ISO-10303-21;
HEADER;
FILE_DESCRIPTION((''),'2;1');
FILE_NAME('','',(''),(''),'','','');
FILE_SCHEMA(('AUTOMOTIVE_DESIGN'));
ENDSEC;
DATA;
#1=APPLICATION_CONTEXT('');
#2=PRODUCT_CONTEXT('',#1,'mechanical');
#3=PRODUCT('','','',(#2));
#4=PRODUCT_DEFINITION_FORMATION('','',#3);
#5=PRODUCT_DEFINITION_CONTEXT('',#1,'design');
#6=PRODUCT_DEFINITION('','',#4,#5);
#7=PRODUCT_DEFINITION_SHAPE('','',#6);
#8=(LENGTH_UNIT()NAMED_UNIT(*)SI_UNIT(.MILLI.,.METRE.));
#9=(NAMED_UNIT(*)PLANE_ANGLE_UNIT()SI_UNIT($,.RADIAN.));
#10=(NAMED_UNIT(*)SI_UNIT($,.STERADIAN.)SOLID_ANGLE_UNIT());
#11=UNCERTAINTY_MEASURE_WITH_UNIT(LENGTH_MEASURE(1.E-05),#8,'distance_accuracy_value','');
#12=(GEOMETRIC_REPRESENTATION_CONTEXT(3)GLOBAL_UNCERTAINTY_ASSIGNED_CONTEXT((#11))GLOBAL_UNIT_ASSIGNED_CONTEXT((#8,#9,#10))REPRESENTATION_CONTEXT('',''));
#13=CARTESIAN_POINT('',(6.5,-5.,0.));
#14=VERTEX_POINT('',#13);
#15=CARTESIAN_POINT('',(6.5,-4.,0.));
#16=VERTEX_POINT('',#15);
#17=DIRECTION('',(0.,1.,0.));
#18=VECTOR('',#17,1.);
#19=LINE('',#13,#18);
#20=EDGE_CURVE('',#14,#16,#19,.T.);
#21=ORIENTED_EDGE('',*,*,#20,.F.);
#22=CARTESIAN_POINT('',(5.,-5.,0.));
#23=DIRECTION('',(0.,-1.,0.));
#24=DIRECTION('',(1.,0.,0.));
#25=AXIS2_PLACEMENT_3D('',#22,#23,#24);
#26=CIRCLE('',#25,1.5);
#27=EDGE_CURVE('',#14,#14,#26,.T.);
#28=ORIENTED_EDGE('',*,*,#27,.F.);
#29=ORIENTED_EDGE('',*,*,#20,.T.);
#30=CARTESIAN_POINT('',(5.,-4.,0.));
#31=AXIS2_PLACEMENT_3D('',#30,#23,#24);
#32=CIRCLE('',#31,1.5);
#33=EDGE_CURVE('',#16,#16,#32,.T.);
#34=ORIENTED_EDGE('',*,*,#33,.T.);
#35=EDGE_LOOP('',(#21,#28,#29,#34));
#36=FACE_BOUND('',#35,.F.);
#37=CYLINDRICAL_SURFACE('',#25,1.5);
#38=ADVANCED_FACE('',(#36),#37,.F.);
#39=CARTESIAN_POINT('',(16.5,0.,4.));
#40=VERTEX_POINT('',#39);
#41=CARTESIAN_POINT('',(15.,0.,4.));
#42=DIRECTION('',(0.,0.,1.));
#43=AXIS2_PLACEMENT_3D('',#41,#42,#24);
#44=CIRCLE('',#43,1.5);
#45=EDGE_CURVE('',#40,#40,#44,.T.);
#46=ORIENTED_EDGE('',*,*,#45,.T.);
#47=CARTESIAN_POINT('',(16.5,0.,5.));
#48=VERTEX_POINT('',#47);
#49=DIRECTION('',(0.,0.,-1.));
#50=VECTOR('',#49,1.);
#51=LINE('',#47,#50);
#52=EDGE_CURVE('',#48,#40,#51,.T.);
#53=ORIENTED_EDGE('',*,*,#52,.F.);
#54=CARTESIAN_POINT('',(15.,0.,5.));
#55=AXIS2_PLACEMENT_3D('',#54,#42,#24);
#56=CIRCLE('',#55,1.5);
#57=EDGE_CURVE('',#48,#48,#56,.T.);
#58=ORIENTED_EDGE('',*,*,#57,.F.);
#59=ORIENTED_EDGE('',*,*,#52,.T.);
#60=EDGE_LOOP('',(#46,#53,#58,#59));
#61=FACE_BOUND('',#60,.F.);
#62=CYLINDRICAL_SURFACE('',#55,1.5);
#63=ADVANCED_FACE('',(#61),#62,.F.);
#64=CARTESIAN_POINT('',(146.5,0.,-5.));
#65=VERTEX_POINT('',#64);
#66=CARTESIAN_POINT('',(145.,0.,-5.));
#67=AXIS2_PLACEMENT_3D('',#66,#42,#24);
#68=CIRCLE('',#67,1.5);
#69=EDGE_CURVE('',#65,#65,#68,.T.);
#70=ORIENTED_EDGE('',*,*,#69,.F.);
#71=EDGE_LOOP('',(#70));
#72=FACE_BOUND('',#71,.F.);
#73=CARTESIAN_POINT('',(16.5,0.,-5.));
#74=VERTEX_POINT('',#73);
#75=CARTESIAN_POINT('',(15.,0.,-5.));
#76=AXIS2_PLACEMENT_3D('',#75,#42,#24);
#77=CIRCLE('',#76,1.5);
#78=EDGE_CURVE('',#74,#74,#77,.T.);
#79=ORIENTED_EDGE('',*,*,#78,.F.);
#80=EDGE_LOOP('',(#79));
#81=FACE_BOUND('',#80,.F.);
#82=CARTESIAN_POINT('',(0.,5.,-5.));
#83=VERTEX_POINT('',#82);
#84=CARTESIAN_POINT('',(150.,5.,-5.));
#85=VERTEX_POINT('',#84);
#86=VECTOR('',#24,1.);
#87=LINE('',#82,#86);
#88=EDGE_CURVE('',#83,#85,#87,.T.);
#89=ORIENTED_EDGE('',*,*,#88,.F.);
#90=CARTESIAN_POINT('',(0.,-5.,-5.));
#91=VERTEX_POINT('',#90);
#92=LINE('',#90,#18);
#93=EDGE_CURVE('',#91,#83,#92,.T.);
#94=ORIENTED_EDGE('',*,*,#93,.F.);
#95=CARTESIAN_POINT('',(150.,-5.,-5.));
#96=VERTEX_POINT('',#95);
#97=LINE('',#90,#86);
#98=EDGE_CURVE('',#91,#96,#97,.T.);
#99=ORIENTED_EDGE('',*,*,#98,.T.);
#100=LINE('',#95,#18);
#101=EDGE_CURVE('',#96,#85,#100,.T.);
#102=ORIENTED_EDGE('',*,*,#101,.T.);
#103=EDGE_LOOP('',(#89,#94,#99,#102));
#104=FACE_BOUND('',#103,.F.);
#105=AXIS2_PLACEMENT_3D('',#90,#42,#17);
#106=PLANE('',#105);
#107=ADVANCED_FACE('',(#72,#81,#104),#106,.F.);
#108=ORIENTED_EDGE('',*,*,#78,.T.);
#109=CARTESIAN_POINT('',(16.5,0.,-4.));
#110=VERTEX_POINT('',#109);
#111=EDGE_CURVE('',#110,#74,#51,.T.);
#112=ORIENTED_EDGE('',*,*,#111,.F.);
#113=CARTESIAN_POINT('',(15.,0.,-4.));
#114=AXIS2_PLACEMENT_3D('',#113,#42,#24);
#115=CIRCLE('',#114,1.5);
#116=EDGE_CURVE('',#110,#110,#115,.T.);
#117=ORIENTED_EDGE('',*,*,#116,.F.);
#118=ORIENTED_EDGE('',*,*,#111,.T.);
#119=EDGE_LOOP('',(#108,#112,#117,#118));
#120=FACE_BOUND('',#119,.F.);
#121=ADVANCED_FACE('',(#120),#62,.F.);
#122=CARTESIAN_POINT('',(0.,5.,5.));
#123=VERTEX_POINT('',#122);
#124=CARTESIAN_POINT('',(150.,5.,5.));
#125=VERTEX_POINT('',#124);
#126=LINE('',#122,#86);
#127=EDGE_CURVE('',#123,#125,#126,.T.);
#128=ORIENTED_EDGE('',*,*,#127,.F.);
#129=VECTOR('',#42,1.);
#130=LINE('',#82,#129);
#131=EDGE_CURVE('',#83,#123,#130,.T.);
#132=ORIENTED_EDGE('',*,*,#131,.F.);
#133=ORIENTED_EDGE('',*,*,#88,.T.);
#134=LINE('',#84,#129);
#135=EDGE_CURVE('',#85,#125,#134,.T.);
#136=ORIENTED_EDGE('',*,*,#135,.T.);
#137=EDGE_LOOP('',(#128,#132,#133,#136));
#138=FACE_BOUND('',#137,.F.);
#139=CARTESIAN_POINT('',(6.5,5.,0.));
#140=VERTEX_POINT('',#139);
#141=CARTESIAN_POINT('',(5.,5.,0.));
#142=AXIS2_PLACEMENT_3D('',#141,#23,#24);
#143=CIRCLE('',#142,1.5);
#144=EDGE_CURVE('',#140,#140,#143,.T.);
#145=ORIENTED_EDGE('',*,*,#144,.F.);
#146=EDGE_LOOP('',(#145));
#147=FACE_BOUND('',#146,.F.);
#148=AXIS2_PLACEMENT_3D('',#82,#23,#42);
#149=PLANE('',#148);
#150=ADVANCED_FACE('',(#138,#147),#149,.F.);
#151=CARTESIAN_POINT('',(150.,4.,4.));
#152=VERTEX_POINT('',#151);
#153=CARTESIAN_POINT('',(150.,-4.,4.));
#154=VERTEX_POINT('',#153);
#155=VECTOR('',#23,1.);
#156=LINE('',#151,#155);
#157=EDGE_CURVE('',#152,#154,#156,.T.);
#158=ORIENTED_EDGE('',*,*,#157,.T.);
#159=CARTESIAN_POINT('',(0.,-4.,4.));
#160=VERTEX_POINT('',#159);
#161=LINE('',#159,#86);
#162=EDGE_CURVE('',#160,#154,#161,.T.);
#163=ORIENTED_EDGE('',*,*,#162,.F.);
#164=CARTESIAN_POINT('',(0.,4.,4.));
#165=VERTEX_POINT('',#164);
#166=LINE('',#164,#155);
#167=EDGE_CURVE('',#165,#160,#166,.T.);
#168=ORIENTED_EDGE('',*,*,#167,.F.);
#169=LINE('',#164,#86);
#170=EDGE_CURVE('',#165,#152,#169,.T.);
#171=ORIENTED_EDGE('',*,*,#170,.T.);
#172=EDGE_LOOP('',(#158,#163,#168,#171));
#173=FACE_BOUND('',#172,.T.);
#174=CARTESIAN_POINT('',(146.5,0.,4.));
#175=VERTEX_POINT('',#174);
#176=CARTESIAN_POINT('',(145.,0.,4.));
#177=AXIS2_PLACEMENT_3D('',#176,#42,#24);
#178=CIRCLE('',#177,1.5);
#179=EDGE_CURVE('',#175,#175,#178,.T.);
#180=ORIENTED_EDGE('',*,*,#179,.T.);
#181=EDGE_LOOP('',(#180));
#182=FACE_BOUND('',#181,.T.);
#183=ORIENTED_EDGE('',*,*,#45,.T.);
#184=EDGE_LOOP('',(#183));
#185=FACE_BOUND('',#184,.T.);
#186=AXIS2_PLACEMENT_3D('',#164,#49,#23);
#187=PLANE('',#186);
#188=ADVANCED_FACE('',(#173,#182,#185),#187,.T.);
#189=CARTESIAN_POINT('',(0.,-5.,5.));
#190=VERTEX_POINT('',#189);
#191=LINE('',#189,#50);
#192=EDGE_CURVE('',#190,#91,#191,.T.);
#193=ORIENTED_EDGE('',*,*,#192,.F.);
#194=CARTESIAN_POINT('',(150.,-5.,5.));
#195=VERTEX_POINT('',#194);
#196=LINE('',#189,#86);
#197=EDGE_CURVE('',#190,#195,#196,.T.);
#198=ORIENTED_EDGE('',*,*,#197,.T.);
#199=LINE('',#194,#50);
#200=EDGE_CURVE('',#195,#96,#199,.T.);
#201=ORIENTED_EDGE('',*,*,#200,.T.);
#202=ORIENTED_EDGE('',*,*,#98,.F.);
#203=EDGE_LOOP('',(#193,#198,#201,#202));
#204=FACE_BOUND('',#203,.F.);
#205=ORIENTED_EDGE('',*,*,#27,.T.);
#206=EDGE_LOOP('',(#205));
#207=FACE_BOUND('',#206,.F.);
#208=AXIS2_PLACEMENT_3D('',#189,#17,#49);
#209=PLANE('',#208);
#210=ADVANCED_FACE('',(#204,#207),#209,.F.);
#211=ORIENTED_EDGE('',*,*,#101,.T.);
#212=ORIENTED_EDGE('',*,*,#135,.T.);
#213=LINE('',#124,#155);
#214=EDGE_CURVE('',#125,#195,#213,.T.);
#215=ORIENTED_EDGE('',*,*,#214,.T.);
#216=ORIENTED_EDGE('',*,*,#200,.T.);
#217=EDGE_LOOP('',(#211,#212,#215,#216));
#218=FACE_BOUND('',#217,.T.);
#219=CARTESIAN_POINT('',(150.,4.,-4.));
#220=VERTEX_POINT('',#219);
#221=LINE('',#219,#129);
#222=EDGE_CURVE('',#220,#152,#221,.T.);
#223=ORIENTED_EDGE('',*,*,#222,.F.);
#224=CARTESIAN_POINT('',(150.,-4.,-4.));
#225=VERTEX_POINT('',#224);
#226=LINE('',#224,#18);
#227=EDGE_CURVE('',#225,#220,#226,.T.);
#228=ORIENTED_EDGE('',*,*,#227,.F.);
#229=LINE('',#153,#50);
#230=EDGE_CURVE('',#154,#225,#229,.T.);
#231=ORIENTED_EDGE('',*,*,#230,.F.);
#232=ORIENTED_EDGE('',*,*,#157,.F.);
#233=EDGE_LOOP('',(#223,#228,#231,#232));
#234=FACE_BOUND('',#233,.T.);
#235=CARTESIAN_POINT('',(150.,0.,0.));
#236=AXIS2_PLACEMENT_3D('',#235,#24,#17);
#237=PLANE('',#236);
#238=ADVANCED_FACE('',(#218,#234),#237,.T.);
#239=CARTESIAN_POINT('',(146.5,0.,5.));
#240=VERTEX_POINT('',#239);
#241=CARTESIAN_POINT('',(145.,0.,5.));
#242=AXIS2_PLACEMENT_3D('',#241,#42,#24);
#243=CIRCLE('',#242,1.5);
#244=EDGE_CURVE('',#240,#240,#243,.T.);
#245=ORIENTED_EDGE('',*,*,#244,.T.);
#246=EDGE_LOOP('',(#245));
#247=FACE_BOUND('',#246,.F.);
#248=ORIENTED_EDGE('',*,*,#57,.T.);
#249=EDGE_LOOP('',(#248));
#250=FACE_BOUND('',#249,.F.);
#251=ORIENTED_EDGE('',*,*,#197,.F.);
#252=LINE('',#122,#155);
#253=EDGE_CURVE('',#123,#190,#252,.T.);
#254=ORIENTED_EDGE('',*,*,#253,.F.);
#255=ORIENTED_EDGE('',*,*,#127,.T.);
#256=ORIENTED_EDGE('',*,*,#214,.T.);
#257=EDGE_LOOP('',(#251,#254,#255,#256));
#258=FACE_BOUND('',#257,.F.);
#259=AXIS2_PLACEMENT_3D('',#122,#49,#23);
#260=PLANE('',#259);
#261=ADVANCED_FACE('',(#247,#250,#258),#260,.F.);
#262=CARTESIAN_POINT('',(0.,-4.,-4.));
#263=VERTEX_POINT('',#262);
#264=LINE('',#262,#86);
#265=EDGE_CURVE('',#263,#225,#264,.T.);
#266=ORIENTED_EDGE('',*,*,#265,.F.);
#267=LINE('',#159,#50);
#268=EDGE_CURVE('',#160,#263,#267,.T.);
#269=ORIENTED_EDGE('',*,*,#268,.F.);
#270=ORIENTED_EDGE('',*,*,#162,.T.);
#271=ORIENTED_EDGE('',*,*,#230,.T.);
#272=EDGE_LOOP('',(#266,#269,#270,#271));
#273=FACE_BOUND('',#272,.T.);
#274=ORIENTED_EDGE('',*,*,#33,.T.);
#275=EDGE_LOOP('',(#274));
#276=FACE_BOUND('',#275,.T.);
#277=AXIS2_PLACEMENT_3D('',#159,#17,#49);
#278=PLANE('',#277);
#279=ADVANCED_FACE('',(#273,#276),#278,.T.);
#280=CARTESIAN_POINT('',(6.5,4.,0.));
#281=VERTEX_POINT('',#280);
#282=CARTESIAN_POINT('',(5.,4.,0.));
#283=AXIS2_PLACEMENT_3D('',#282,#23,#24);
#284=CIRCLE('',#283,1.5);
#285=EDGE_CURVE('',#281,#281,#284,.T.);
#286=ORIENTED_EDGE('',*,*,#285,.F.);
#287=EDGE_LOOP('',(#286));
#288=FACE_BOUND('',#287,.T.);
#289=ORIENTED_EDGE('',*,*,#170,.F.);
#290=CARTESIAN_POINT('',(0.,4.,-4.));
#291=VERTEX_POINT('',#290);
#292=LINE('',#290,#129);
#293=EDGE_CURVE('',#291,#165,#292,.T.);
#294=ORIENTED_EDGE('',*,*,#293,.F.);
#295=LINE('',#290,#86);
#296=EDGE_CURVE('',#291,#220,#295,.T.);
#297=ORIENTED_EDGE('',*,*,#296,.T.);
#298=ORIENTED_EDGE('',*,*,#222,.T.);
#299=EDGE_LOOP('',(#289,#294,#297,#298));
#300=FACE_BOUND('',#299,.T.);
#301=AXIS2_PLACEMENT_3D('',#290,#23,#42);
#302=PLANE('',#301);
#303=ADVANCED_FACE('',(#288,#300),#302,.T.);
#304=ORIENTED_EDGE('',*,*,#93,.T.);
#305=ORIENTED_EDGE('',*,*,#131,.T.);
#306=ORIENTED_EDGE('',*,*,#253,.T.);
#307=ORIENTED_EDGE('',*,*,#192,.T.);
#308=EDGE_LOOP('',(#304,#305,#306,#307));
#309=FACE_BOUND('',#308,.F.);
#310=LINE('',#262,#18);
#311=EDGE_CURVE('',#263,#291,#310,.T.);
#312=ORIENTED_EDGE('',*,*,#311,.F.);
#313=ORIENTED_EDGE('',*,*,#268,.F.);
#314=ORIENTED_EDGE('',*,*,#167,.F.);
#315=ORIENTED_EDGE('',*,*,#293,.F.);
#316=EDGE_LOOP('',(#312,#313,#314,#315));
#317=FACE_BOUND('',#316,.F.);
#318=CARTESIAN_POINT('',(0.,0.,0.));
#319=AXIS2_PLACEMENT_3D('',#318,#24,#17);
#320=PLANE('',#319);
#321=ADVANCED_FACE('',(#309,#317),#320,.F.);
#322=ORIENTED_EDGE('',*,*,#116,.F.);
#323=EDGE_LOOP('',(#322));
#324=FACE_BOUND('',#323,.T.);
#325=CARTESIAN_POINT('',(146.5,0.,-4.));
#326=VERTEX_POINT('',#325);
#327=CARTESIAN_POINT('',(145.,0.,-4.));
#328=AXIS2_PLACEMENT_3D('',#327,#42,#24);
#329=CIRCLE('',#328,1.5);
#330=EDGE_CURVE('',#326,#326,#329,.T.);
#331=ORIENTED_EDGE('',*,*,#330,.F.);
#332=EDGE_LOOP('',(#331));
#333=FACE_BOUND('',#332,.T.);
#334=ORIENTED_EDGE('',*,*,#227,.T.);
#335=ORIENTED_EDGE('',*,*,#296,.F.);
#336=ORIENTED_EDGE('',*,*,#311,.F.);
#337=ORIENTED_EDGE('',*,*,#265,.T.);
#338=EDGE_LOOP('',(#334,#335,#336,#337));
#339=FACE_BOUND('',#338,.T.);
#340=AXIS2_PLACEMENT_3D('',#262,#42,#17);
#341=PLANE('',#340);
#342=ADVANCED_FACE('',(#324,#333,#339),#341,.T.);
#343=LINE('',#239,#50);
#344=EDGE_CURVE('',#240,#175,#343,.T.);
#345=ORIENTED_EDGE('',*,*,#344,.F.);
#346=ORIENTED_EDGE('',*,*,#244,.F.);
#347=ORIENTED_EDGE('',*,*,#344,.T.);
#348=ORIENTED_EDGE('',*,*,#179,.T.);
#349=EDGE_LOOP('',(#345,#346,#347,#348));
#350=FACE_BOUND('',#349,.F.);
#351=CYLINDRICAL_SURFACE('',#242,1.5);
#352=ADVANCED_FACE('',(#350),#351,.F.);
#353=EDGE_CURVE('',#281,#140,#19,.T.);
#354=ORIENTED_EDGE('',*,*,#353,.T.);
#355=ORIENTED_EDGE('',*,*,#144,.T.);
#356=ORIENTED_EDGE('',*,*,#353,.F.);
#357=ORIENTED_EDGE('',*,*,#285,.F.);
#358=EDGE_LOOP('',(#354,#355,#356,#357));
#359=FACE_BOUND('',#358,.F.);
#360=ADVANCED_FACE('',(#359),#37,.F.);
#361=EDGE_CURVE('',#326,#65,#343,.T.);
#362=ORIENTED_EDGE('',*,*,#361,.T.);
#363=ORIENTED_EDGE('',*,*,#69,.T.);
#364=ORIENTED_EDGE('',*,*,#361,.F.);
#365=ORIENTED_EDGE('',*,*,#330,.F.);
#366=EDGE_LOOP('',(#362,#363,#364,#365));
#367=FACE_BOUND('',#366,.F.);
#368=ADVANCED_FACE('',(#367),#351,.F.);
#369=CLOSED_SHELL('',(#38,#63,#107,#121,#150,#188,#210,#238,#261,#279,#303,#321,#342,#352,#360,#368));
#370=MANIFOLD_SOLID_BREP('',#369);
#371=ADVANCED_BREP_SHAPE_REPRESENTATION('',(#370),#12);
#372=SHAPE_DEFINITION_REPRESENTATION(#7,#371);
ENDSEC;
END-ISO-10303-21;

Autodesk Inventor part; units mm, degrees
ref_plane "YZ Plane" through (0, 0, 0) normal (1, 0, 0) x (0, 1, 0)
ref_plane "XZ Plane" through (0, 0, 0) normal (0, 1, 0) x (-1, 0, 0)
ref_plane "XY Plane" through (0, 0, 0) normal (0, 0, 1) x (1, 0, 0)
sketch "スケッチ1" plane through (0, 0, 0) normal (1, 0, 0) x (0, 1, 0)
  line L0 (5, 5) -> (-5, 5)
  line L1 (-5, 5) -> (-5, -5)
  line L2 (-5, -5) -> (5, -5)
  line L3 (5, -5) -> (5, 5)
  line L4 (4, 4) -> (-4, 4)
  line L5 (-4, 4) -> (-4, -4)
  line L6 (-4, -4) -> (4, -4)
  line L7 (4, -4) -> (4, 4)
  point P0 (0, 0)
  dimension "d0" = 1
  dimension "d1" = 1
  dimension "d2" = 1
  dimension "d3" = 1
  dimension "d4" = 10
  dimension "d5" = 10
  dimension "d6" = 5
  dimension "d7" = 5
extrude "押し出し1" add sketch "スケッチ1" along normal blind 150
sketch "スケッチ2" plane through (0, -5, 5) normal (0, 0, 1) x (1, 0, 0)
  circle A0 centre (15, 5) radius 1.5
  line L0 (0, 10) -> (0, 0) projected
  line L1 (0, 0) -> (150, 0) projected
  circle A1 centre (145, 5) radius 1.5
  line L2 (150, 10) -> (150, 0) projected
  point P0 (0, 5)
  dimension "d10" = 3
  dimension "d11" = 15
  dimension "d12" = 5
  dimension "d13" = 5
  dimension "d14" = 5
  dimension "d15" = 3
sketch "スケッチ3" plane through (0, -5, -5) normal (0, -1, 0) x (1, 0, 0)
  circle A0 centre (5, 5) radius 1.5
  line L0 (0, 10) -> (0, 0) projected
  line L1 (0, 0) -> (150, 0) projected
  point P0 (0, 5)
  dimension "d16" = 3
  dimension "d17" = 5
  dimension "d18" = 5
extrude "押し出し2" cut sketch "スケッチ3" against normal blind 15
extrude "押し出し3" cut sketch "スケッチ2" against normal blind 15
properties part number "backparts1" material "アルミニウム 6061"
